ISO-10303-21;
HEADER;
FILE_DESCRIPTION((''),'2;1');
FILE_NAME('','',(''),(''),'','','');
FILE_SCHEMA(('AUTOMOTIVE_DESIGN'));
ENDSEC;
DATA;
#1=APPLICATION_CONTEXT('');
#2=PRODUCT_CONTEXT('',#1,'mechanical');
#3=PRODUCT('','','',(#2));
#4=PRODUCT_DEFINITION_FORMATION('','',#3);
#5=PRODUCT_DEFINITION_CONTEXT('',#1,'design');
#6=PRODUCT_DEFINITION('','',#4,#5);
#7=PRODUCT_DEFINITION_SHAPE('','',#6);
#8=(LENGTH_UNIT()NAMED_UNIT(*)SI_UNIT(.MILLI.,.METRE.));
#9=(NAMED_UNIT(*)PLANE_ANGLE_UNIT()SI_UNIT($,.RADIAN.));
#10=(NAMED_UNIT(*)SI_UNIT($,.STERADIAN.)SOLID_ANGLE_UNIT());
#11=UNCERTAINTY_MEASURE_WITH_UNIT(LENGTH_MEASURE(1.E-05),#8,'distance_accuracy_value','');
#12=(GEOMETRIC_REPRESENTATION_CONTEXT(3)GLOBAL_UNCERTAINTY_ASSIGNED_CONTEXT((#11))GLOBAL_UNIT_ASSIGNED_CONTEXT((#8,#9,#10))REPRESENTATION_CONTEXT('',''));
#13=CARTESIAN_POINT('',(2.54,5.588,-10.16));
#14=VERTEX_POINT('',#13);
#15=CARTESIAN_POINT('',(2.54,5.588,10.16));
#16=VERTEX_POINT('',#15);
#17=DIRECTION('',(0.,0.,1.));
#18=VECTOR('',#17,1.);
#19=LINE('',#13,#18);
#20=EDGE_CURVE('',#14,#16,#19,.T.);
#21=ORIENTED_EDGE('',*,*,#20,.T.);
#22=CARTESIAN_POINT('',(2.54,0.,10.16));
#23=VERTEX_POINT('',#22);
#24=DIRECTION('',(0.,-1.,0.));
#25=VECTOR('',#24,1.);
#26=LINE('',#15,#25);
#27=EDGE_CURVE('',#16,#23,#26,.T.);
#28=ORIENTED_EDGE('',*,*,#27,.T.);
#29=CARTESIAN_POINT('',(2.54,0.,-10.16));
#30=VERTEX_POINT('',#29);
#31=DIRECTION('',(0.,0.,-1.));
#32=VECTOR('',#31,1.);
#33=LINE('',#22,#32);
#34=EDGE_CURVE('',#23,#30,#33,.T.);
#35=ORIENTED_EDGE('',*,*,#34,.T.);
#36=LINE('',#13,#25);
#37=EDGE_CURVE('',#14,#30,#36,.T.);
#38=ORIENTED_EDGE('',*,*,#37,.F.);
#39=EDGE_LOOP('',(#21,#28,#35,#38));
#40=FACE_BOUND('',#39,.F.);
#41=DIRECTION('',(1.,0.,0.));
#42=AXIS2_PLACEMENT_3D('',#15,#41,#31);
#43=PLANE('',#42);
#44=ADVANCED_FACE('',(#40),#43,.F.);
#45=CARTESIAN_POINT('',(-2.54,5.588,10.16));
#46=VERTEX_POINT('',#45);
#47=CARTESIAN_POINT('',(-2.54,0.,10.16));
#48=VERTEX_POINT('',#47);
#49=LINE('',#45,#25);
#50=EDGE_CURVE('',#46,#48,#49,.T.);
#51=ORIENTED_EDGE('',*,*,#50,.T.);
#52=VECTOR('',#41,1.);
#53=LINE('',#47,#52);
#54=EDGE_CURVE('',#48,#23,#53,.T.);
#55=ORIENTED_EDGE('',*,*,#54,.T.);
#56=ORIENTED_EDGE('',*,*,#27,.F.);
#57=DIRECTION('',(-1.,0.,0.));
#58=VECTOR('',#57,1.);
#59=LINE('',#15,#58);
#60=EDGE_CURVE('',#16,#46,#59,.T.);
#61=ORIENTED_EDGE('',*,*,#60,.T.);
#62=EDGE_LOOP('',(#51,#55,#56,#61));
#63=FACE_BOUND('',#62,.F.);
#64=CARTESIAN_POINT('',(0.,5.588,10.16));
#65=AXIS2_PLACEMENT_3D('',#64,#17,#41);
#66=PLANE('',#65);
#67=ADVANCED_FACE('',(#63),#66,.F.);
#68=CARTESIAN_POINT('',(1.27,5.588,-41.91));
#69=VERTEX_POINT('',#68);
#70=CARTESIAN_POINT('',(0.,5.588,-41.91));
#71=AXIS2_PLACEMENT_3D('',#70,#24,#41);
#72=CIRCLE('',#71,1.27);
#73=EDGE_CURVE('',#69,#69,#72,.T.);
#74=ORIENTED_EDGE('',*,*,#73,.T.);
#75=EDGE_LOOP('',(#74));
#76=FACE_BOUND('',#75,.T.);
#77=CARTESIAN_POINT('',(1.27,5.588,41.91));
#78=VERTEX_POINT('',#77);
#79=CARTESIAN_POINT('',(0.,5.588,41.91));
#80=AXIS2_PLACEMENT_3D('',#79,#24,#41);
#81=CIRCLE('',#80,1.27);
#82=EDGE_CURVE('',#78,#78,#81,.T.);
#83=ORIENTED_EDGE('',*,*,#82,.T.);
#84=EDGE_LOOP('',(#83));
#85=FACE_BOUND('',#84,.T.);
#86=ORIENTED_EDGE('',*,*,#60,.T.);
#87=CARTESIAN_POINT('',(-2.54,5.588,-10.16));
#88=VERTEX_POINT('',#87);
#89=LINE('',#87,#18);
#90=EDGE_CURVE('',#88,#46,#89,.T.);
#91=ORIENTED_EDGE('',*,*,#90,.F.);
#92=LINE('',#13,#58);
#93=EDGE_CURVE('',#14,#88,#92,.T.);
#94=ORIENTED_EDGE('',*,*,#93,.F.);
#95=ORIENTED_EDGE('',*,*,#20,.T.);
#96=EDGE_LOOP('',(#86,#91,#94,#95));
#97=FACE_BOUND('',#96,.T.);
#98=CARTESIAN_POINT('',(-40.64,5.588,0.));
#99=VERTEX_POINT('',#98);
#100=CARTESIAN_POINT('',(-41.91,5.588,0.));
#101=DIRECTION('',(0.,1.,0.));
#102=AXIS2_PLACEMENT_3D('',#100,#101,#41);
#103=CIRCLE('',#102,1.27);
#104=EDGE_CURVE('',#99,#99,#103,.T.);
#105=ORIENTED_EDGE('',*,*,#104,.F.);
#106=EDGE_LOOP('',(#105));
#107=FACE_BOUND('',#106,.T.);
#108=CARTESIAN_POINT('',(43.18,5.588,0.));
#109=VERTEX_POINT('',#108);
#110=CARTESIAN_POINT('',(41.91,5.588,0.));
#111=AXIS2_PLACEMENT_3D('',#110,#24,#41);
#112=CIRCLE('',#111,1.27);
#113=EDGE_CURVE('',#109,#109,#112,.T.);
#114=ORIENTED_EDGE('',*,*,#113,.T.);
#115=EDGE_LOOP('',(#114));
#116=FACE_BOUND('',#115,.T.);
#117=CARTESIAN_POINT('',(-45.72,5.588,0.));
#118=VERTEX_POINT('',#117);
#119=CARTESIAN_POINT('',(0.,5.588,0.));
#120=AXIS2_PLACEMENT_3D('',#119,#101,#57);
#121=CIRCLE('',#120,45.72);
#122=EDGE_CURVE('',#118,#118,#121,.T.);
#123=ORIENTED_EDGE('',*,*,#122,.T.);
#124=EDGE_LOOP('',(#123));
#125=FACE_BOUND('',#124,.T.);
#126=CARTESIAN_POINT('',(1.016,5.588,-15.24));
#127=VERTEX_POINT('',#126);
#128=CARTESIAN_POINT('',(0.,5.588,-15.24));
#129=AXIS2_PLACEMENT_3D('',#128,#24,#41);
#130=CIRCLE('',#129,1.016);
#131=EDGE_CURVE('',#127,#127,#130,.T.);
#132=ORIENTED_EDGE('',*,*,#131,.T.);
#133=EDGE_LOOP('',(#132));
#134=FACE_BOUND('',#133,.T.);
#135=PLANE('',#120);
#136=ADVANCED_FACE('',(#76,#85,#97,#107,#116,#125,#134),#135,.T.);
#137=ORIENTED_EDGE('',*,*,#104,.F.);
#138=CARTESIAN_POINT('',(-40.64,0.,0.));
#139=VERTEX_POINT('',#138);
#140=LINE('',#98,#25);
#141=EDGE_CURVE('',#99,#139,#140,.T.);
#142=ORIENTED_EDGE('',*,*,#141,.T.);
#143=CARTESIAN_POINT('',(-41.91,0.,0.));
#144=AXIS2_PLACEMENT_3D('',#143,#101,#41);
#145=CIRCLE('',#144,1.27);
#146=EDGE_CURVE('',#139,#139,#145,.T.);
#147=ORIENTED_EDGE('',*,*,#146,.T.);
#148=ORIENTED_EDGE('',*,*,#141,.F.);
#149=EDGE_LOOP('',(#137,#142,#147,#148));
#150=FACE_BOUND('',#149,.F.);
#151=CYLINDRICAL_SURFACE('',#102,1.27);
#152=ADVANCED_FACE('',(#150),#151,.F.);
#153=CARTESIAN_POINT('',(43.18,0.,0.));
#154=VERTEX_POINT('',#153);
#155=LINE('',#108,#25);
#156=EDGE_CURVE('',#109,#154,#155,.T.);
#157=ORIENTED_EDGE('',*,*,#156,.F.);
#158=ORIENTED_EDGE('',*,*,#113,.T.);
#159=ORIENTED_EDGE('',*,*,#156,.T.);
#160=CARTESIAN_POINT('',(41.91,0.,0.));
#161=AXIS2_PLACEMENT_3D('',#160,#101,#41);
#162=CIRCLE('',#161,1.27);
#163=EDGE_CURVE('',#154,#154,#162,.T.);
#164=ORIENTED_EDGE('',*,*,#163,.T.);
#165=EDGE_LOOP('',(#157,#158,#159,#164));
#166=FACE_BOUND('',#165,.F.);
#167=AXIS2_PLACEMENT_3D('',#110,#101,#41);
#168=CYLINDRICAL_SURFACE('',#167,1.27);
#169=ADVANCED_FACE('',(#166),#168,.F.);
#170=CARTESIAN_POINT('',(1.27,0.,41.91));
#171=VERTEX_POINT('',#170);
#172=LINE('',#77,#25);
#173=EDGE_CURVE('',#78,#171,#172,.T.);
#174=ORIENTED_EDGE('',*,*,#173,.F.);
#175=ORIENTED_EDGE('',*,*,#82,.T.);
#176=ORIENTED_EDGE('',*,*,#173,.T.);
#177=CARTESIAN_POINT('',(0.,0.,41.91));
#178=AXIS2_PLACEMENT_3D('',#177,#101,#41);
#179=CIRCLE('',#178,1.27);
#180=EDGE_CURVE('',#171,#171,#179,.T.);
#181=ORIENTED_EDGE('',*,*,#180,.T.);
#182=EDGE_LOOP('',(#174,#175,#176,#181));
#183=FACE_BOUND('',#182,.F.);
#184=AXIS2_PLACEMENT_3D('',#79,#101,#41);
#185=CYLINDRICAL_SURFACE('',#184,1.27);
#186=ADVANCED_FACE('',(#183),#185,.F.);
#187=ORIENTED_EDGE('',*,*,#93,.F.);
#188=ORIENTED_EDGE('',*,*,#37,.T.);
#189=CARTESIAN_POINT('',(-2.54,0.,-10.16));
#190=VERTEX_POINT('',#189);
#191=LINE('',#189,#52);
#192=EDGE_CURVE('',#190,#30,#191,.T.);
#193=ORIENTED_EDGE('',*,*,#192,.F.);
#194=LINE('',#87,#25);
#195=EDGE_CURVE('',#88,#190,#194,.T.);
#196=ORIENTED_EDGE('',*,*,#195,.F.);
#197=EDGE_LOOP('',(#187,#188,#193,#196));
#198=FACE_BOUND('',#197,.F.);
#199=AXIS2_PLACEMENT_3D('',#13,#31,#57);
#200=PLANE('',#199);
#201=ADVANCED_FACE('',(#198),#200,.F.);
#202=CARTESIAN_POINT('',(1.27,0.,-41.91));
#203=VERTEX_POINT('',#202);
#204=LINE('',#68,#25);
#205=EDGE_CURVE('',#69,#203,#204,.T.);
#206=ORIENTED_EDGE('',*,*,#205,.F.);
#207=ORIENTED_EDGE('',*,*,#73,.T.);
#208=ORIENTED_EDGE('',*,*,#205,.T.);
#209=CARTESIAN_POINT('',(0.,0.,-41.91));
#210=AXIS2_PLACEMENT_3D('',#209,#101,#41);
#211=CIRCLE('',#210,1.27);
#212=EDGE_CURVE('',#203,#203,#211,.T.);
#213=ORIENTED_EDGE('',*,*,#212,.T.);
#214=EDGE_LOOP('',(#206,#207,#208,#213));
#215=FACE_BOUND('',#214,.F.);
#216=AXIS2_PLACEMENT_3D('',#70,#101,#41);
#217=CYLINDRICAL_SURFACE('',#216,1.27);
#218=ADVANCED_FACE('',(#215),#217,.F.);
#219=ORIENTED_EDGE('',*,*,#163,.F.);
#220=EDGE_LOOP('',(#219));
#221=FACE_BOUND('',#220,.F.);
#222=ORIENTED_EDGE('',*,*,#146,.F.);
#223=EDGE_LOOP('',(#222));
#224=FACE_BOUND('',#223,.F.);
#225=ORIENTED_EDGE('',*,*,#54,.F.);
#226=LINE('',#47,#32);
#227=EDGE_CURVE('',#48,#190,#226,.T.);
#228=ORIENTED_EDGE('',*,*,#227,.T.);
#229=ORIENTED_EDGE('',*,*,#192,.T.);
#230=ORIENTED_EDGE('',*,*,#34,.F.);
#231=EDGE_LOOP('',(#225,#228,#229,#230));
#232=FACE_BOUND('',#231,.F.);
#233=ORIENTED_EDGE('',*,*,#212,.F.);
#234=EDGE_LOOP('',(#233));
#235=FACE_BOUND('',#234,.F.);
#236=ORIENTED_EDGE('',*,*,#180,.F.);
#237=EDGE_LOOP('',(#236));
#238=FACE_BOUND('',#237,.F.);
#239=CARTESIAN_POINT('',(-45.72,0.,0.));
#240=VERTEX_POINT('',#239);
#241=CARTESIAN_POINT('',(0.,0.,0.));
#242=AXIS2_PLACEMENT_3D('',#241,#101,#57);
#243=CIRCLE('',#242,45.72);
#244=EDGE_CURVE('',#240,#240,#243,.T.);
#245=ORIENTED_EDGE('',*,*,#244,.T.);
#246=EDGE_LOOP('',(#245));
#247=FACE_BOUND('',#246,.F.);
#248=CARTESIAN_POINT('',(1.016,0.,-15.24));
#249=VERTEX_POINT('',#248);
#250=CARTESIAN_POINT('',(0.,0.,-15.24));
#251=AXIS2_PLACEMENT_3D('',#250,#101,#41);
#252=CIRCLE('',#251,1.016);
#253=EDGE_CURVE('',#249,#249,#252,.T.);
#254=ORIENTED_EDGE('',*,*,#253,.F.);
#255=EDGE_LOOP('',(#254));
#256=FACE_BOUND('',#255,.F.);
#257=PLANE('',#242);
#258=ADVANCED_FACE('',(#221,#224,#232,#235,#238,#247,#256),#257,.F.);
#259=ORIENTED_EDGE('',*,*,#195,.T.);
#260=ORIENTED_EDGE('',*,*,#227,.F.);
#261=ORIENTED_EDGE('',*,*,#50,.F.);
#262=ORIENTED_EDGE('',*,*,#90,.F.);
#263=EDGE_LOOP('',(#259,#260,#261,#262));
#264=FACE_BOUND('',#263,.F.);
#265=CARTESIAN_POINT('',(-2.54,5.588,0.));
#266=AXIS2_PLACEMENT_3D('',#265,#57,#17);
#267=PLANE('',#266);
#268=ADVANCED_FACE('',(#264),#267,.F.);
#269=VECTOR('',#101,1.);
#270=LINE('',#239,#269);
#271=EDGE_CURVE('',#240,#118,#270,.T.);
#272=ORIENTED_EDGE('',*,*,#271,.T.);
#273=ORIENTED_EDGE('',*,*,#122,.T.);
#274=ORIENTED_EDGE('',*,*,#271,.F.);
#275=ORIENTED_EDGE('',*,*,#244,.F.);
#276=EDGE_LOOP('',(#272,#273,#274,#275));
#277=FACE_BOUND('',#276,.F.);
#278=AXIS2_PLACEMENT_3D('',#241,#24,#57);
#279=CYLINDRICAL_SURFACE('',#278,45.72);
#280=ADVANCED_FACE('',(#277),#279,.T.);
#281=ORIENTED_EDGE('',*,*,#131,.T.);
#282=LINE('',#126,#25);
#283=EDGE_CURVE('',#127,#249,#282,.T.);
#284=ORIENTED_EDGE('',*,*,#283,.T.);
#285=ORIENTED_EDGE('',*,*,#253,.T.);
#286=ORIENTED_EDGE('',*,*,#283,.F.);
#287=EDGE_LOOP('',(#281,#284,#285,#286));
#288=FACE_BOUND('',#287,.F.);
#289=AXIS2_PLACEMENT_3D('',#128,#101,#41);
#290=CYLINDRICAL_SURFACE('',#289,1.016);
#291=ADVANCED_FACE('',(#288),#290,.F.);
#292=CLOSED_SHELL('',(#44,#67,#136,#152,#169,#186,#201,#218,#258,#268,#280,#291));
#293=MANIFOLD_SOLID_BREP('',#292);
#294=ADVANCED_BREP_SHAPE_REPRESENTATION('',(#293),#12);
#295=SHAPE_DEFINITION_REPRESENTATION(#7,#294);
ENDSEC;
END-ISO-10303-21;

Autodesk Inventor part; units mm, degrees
ref_plane "YZ Plane" through (0, 0, 0) normal (1, 0, 0) x (0, 1, 0)
ref_plane "XZ Plane" through (0, 0, 0) normal (0, 1, 0) x (-1, 0, 0)
ref_plane "XY Plane" through (0, 0, 0) normal (0, 0, 1) x (1, 0, 0)
sketch "Sketch1" plane through (0, 0, 0) normal (0, 1, 0) x (-1, 0, 0)
  circle A0 centre (0, 0) radius 45.72
  dimension "d0" = 91.44
extrude "Extrusion1" add sketch "Sketch1" along normal blind 5.588
sketch "Sketch2" plane through (0, 5.588, 0) normal (0, 1, 0) x (1, 0, 0)
  circle A0 centre (0, 0) radius 38.1
  line L0 (0, 0) -> (-41.91, 0)
  line L1 (0, 0) -> (0, 41.91)
  line L2 (0, 0) -> (41.91, 0)
  line L3 (0, 0) -> (0, -41.91)
  circle A1 centre (-41.91, 0) radius 1.27
  circle A2 centre (0, -41.91) radius 1.27
  circle A3 centre (0, 41.91) radius 1.27
  circle A4 centre (41.91, 0) radius 1.27
  line L4 (0, 0) -> (0, -10.16)
  line L5 (0, -10.16) -> (-2.54, -10.16)
  line L6 (-2.54, -10.16) -> (2.54, -10.16)
  line L7 (2.54, -10.16) -> (2.54, 10.16)
  line L8 (2.54, 10.16) -> (-2.54, 10.16)
  line L9 (-2.54, 10.16) -> (-2.54, -10.16)
  line L10 (0, 0) -> (0, 15.24)
  circle A5 centre (0, 15.24) radius 1.016
  dimension "d3" = 76.2
  dimension "d4" = 41.91
  dimension "d5" = 41.91
  dimension "d6" = 41.91
  dimension "d7" = 41.91
  dimension "d8" = 2.54
  dimension "d9" = 2.54
  dimension "d10" = 2.54
  dimension "d11" = 2.54
  dimension "d12" = 10.16
  dimension "d13" = 2.54
  dimension "d14" = 5.08
  dimension "d15" = 20.32
  dimension "d16" = 15.24
  dimension "d17" = 2.032
extrude "Extrusion2" cut sketch "Sketch2" against normal blind 5.588 contours A2 | A1 | A3 | A4 | L7 L6 L3 L2 | L2 L1 L8 L7 | A5 L1 | L1 A5 | L5 L9 L0 L3 | L0 L9 L8 L1
properties part number "open1" material "Plastic, Transparent"
